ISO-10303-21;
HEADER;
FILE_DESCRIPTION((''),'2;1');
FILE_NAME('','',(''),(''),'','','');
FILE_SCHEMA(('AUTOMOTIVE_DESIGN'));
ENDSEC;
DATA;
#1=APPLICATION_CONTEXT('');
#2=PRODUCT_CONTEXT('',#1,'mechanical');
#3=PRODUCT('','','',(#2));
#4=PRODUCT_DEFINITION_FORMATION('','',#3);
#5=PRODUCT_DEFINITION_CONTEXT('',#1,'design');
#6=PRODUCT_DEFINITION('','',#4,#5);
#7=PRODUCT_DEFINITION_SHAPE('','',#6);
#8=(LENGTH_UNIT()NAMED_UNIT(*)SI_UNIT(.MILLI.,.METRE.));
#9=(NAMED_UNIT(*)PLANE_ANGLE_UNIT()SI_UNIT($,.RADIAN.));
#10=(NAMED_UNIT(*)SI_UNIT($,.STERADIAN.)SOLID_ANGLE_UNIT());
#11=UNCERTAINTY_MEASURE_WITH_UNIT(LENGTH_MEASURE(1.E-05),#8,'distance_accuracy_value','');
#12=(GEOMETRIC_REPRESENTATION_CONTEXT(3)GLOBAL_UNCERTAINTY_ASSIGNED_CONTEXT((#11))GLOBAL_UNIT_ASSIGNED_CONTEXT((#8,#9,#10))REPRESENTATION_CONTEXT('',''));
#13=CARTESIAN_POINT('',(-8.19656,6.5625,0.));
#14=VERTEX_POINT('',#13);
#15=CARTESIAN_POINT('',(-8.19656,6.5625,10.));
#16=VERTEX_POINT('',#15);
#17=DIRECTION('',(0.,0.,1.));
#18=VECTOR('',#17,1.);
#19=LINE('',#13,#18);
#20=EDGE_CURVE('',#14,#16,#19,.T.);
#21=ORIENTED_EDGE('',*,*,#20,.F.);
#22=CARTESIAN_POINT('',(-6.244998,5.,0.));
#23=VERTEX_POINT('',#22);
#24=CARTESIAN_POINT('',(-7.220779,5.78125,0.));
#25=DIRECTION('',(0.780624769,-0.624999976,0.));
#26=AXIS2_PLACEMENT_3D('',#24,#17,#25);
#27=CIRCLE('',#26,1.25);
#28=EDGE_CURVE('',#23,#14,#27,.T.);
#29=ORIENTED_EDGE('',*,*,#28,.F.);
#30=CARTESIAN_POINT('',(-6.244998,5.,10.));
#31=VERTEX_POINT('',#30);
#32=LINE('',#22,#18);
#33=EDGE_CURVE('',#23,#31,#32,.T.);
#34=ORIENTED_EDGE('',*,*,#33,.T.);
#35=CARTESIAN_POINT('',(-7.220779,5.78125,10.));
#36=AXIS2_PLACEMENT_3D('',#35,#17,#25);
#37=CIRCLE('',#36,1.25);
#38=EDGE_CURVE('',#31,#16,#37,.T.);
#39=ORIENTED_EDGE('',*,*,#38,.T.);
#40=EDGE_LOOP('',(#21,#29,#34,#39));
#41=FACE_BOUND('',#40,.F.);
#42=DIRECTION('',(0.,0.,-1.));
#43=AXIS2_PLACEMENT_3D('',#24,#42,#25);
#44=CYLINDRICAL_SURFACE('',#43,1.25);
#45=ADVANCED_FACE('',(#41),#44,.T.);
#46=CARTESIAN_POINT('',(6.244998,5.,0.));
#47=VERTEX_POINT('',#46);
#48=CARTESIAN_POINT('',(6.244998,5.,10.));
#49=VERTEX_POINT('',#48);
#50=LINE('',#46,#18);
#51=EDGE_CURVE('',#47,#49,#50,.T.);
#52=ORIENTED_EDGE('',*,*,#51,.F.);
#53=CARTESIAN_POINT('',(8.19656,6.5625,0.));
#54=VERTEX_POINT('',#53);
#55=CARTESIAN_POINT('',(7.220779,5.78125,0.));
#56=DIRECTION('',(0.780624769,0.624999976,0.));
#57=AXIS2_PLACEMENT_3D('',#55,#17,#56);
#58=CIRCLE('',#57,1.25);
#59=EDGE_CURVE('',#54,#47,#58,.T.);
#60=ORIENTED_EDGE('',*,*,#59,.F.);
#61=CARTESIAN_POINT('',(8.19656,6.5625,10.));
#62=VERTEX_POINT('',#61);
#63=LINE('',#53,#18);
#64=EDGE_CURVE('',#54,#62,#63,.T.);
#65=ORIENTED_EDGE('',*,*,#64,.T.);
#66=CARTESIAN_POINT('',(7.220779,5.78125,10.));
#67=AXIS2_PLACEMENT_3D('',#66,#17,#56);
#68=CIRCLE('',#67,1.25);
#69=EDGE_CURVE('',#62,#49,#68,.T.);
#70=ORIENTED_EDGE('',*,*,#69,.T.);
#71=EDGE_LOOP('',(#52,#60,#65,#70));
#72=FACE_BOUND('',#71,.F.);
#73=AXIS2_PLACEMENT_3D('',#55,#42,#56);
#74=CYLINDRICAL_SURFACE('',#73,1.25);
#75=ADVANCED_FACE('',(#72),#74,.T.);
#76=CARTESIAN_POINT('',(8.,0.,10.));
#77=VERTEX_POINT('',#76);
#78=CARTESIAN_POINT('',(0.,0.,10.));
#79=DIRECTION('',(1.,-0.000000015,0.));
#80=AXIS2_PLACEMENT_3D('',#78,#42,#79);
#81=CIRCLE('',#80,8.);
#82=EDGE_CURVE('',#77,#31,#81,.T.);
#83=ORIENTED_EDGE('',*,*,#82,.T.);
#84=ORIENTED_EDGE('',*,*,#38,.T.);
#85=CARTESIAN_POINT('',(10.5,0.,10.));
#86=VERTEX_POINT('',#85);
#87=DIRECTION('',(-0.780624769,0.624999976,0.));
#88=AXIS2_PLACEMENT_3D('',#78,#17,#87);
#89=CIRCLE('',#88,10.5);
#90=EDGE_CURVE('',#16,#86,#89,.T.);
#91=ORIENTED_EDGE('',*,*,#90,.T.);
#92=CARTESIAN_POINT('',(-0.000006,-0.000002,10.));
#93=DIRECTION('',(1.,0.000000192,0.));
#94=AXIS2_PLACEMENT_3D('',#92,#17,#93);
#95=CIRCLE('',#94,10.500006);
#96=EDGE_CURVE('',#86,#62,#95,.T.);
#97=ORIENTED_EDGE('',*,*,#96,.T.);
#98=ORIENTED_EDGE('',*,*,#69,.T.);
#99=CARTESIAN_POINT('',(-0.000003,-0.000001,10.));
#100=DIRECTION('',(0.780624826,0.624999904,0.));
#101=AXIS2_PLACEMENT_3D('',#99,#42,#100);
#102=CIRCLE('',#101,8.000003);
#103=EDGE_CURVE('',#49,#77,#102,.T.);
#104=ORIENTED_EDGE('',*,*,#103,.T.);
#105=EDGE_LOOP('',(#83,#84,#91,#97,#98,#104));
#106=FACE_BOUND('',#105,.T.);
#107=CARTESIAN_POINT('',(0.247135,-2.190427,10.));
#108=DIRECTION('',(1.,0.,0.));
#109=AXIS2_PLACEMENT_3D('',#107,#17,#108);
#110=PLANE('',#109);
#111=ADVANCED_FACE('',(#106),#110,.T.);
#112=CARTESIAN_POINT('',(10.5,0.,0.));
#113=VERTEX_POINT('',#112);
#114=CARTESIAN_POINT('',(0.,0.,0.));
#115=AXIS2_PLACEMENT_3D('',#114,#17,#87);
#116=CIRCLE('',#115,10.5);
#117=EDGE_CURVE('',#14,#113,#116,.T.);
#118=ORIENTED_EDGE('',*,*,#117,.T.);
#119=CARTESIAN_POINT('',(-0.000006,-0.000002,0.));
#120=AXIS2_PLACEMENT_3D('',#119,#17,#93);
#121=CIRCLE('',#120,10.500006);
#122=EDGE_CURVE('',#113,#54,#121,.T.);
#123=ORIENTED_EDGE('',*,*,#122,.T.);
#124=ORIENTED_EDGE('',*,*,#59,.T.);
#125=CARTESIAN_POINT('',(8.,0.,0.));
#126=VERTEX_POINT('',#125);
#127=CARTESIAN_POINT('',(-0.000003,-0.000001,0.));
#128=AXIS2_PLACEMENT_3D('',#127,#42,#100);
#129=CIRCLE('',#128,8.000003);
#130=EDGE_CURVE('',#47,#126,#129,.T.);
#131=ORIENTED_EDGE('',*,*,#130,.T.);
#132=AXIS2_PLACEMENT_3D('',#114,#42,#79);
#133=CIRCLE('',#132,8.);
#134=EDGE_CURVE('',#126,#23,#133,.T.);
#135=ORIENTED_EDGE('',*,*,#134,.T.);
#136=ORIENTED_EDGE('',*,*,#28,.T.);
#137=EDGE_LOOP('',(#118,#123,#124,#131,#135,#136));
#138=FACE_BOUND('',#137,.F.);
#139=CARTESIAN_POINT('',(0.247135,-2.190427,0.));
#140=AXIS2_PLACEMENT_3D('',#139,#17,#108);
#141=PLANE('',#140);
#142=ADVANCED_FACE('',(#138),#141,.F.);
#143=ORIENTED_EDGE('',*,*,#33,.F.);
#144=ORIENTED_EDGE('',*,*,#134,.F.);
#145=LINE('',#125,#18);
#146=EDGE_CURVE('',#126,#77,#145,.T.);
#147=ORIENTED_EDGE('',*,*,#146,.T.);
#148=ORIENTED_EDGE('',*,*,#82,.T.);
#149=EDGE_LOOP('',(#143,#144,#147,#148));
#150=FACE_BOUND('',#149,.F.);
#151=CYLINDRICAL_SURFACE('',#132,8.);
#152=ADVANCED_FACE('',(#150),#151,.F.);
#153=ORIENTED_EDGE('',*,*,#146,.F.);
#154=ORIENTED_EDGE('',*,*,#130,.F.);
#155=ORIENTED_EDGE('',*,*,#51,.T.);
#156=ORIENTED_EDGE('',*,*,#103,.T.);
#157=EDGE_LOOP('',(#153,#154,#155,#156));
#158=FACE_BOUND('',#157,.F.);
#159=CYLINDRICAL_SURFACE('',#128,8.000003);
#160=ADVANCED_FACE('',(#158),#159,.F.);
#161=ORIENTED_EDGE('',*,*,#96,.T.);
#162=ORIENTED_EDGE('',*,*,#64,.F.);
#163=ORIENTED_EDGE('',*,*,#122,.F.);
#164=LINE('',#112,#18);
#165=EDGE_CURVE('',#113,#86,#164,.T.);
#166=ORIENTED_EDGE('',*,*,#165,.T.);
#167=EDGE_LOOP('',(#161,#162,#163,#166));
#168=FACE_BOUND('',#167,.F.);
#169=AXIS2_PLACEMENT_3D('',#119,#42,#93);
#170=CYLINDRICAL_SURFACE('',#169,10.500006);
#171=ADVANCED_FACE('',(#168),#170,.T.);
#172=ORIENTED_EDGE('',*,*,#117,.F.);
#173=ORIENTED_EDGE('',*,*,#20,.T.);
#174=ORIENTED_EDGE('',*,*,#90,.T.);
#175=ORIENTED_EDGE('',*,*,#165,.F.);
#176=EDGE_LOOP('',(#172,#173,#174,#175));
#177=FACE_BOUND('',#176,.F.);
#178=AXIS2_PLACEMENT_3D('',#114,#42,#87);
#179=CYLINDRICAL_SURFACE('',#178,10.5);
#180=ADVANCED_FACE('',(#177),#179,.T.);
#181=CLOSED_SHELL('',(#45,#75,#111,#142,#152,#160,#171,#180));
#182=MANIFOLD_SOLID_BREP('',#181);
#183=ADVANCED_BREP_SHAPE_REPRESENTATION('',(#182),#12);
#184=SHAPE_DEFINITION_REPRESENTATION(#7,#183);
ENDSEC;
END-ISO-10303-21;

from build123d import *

# Parameters (mm, degrees)
F1_DEPTH = 10


with BuildPart() as f1:
    # F0 (on Top) → F1 (new body)
    with BuildSketch(Plane.XY):
        with BuildLine():
            ThreePointArc((6.244998, 5), (7.548509, 2.64953), (8, 0))
            ThreePointArc((8, 0), (-2.64953, -7.548509), (-6.244998, 5))
            Line((-6.244998, 5), (-8.19656, 6.5625))
            ThreePointArc((-8.19656, 6.5625), (-3.477508, -9.907418), (10.5, 0))
            ThreePointArc((10.5, 0), (9.907418, 3.477508), (8.19656, 6.5625))
            Line((8.19656, 6.5625), (6.244998, 5))
        make_face()
        with BuildLine():
            Line((-8.19656, 6.5625), (-6.244998, 5))
            ThreePointArc((-6.244998, 5), (-6.439529, 6.757031), (-8.19656, 6.5625))
        make_face()
        with BuildLine():
            ThreePointArc((8.19656, 6.5625), (6.439529, 6.757031), (6.244998, 5))
            Line((6.244998, 5), (8.19656, 6.5625))
        make_face()
    extrude(amount=F1_DEPTH)


solid = f1.part
